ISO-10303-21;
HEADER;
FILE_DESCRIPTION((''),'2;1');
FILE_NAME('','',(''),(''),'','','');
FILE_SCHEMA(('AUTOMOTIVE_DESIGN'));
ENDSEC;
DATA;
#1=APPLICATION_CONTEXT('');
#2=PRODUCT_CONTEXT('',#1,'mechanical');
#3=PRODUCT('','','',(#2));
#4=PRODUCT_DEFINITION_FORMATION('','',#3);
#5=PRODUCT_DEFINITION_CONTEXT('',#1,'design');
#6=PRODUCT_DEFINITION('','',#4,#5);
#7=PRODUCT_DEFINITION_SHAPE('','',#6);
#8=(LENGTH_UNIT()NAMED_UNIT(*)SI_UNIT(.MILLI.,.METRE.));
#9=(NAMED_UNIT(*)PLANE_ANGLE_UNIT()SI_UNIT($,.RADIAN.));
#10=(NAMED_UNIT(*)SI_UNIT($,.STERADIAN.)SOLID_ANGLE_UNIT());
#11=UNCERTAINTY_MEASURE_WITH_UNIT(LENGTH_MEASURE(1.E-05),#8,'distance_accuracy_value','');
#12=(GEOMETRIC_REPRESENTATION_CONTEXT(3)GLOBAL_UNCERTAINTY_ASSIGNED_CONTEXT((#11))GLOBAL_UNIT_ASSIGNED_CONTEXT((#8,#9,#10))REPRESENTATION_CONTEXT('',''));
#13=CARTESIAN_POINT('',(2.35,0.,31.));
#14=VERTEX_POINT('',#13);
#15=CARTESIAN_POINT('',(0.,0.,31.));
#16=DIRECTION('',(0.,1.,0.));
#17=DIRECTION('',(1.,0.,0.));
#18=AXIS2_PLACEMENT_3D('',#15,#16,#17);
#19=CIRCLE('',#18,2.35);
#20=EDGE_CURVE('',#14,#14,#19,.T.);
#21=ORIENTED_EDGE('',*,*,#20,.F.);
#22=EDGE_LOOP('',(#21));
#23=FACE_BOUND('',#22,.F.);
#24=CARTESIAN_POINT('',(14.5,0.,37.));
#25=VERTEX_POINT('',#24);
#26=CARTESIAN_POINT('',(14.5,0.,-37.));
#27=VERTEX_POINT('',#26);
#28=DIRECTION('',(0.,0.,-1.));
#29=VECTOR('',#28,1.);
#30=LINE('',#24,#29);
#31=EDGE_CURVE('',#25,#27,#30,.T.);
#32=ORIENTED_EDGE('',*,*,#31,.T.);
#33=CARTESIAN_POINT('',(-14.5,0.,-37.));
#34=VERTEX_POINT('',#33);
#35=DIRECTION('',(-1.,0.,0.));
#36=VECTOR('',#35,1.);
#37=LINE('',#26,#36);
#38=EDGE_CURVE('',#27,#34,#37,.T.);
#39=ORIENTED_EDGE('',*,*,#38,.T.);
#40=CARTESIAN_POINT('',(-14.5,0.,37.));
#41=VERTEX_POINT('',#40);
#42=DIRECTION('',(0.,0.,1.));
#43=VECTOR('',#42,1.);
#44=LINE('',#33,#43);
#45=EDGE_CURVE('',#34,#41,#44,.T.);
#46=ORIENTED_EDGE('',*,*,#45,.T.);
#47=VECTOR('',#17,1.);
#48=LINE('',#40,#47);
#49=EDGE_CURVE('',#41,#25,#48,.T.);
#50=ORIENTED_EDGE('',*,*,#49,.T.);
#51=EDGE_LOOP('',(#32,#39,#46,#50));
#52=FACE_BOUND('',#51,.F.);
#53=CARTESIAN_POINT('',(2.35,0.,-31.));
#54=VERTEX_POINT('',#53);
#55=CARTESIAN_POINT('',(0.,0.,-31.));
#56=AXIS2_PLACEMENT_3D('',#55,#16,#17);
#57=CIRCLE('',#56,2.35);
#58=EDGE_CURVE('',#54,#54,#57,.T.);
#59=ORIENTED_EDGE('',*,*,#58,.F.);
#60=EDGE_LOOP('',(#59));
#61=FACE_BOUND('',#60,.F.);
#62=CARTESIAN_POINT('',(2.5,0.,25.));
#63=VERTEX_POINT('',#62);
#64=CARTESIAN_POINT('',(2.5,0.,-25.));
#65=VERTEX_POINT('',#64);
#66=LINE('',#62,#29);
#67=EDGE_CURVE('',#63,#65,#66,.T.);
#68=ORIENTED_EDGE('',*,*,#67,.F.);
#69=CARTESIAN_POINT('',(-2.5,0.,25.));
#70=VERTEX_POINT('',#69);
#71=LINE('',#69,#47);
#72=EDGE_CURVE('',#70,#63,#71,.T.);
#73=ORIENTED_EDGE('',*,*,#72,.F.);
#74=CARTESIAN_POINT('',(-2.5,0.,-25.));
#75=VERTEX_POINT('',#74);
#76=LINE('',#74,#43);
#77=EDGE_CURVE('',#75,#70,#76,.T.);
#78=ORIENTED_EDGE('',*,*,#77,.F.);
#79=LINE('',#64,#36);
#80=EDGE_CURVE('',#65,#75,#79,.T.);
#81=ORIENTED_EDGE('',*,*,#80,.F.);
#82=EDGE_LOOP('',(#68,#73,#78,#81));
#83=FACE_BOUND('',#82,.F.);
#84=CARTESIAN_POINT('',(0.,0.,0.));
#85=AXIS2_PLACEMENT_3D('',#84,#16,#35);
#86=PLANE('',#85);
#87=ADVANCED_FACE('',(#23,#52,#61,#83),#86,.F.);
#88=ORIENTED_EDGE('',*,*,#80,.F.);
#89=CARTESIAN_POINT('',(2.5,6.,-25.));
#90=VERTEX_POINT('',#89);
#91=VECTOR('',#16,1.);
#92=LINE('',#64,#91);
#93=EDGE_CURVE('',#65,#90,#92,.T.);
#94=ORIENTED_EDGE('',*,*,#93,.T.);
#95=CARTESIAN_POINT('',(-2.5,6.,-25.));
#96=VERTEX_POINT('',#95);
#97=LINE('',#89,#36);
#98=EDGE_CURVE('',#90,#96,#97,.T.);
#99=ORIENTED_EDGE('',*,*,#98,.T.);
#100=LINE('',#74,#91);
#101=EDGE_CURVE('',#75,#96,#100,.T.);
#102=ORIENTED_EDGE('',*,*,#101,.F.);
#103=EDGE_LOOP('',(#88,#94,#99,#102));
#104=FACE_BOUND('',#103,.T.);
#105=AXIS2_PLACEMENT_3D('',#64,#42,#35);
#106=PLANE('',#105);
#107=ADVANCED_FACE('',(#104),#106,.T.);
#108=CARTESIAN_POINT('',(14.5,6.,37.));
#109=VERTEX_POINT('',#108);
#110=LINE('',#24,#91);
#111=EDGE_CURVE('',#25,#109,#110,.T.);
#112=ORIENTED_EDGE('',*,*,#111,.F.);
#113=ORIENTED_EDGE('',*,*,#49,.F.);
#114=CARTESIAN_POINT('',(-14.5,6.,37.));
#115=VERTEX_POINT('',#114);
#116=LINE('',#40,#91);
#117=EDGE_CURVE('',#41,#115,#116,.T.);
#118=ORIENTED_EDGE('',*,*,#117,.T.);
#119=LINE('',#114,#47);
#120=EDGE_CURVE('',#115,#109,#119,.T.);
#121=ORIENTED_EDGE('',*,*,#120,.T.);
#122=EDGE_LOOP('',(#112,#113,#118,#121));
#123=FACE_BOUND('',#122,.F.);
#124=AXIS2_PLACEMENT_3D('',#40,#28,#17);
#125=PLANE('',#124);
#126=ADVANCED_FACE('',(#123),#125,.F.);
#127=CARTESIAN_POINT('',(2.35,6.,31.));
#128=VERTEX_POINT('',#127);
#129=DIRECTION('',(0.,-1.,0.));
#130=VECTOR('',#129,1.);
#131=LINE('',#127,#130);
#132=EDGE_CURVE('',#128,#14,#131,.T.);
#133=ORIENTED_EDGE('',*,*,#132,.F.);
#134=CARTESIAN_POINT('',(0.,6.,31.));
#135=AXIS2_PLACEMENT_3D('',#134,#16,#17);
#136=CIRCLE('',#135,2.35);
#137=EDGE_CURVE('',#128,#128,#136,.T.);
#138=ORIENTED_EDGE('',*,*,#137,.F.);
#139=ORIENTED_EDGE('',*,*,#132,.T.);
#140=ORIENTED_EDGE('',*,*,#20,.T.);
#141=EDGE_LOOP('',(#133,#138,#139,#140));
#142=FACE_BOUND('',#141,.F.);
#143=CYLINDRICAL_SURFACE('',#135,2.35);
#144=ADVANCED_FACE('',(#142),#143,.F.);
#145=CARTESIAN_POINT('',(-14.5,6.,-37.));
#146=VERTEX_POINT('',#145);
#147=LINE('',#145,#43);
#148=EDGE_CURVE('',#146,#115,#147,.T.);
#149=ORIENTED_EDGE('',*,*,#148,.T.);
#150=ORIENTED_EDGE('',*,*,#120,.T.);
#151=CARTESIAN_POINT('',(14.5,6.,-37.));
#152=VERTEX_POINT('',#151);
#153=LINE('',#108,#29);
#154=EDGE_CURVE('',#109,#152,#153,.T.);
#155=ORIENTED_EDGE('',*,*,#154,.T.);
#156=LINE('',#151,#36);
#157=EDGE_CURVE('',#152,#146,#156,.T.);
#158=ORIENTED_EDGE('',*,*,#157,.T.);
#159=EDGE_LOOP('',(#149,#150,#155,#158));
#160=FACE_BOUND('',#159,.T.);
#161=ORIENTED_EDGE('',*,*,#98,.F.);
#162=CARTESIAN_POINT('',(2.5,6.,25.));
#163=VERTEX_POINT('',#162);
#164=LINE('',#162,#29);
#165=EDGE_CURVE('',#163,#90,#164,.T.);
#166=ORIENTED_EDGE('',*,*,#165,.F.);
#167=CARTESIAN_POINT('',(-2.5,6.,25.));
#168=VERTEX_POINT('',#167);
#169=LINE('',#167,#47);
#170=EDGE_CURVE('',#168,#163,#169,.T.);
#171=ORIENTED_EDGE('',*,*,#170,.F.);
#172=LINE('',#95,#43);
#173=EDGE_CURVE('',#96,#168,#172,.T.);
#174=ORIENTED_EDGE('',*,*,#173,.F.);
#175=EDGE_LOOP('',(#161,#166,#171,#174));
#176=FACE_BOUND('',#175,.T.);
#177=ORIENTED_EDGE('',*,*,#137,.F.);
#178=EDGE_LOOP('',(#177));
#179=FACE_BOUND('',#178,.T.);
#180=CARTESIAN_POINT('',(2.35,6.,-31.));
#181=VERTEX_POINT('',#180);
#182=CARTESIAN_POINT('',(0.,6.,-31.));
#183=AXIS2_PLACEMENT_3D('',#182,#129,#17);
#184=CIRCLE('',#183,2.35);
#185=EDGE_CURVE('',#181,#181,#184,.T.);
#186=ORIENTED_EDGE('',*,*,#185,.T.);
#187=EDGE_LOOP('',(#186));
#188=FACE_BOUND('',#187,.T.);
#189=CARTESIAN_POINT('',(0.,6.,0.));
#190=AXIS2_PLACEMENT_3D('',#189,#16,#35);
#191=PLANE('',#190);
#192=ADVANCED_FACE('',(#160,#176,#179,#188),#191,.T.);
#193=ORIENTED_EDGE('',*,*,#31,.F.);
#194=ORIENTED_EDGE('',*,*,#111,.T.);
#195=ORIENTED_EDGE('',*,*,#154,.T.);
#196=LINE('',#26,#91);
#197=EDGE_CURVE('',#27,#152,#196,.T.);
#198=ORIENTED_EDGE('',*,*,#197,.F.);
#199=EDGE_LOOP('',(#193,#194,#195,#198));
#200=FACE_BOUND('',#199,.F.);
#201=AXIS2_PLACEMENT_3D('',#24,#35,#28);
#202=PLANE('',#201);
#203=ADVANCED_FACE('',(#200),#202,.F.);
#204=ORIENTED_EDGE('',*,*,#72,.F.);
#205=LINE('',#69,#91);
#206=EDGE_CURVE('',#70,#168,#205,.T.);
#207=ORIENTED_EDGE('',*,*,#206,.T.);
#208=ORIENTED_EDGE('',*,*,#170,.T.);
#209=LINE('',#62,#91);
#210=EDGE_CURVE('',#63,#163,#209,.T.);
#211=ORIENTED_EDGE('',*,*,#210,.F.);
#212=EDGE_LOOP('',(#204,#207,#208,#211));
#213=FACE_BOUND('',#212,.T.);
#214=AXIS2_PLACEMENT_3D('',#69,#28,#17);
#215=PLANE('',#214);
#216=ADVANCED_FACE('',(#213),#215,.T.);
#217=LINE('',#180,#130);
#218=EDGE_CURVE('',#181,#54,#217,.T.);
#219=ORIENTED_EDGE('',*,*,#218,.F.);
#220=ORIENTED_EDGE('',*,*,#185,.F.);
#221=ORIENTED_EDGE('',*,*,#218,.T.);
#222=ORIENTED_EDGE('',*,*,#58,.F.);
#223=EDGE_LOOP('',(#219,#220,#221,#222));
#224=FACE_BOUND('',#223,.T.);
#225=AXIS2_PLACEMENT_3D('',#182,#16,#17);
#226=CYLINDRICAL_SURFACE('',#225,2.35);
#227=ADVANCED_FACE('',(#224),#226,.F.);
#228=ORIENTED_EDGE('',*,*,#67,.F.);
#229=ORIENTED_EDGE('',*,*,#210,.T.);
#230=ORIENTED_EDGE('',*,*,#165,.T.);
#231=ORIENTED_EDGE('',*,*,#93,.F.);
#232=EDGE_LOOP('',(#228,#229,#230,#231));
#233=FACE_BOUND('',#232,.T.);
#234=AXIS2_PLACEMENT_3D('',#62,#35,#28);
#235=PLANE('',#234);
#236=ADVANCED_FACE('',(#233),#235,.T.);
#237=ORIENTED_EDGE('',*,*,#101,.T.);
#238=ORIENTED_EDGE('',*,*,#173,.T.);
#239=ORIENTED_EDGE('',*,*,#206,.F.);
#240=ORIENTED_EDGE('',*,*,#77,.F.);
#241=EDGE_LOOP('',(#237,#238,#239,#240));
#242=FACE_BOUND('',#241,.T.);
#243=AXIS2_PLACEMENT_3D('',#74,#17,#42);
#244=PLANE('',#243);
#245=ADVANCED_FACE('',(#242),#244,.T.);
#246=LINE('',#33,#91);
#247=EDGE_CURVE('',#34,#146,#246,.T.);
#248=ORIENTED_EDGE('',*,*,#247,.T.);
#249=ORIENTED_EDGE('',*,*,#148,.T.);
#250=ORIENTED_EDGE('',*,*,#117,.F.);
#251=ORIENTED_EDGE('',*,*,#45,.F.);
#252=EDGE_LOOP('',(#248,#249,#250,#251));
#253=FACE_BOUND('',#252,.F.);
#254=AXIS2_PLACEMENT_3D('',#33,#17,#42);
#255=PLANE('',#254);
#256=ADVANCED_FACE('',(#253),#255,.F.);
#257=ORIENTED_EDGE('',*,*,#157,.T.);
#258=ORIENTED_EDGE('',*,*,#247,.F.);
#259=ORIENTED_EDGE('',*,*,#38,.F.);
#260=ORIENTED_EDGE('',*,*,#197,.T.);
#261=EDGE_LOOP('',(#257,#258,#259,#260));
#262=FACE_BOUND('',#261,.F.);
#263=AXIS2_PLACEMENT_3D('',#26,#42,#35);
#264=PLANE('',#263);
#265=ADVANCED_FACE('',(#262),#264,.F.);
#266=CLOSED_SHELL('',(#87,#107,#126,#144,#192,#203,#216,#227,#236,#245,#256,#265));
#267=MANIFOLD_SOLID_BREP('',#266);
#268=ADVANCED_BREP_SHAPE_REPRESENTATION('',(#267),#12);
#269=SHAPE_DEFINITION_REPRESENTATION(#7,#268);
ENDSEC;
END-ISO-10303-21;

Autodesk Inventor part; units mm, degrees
ref_plane "YZ Plane" through (0, 0, 0) normal (1, 0, 0) x (0, 1, 0)
ref_plane "XZ Plane" through (0, 0, 0) normal (0, 1, 0) x (-1, 0, 0)
ref_plane "XY Plane" through (0, 0, 0) normal (0, 0, 1) x (1, 0, 0)
sketch "Boceto1" plane through (0, 0, 0) normal (0, 1, 0) x (-1, 0, 0)
  line L0 (-14.5, -37) -> (14.5, -37)
  line L1 (14.5, -37) -> (14.5, 37)
  line L2 (14.5, 37) -> (-14.5, 37)
  line L3 (-14.5, 37) -> (-14.5, -37)
  line L4 (-14.5, -37) -> (14.5, 37) construction
  line L5 (14.5, -37) -> (-14.5, 37) construction
  line L6 (-2.5, -25) -> (2.5, -25)
  line L7 (2.5, -25) -> (2.5, 25)
  line L8 (2.5, 25) -> (-2.5, 25)
  line L9 (-2.5, 25) -> (-2.5, -25)
  line L10 (-2.5, -25) -> (2.5, 25) construction
  line L11 (2.5, -25) -> (-2.5, 25) construction
  point P0 (0, 0)
  dimension "d2" = 5
  dimension "d3" = 50
  dimension "d4" = 12
  dimension "d5" = 12
extrude "Extrusión1" add sketch "Boceto1" along normal blind 6
sketch "Boceto2" plane through (0, 6, 0) normal (0, 1, 0) x (1, 0, 0)
  circle A0 centre (0, -31) radius 2.35
  line L0 (-14.5, -37) -> (14.5, -37) projected
  point P0 (0, 0)
  dimension "d8" = 4.7
  dimension "d9" = 6
extrude "Extrusión2" cut sketch "Boceto2" against normal through all
mirror "Simetría1" about plane through (0, 0, 0) normal (0, 0, 1) of "Extrusión2"
properties part number "sotenedor"
